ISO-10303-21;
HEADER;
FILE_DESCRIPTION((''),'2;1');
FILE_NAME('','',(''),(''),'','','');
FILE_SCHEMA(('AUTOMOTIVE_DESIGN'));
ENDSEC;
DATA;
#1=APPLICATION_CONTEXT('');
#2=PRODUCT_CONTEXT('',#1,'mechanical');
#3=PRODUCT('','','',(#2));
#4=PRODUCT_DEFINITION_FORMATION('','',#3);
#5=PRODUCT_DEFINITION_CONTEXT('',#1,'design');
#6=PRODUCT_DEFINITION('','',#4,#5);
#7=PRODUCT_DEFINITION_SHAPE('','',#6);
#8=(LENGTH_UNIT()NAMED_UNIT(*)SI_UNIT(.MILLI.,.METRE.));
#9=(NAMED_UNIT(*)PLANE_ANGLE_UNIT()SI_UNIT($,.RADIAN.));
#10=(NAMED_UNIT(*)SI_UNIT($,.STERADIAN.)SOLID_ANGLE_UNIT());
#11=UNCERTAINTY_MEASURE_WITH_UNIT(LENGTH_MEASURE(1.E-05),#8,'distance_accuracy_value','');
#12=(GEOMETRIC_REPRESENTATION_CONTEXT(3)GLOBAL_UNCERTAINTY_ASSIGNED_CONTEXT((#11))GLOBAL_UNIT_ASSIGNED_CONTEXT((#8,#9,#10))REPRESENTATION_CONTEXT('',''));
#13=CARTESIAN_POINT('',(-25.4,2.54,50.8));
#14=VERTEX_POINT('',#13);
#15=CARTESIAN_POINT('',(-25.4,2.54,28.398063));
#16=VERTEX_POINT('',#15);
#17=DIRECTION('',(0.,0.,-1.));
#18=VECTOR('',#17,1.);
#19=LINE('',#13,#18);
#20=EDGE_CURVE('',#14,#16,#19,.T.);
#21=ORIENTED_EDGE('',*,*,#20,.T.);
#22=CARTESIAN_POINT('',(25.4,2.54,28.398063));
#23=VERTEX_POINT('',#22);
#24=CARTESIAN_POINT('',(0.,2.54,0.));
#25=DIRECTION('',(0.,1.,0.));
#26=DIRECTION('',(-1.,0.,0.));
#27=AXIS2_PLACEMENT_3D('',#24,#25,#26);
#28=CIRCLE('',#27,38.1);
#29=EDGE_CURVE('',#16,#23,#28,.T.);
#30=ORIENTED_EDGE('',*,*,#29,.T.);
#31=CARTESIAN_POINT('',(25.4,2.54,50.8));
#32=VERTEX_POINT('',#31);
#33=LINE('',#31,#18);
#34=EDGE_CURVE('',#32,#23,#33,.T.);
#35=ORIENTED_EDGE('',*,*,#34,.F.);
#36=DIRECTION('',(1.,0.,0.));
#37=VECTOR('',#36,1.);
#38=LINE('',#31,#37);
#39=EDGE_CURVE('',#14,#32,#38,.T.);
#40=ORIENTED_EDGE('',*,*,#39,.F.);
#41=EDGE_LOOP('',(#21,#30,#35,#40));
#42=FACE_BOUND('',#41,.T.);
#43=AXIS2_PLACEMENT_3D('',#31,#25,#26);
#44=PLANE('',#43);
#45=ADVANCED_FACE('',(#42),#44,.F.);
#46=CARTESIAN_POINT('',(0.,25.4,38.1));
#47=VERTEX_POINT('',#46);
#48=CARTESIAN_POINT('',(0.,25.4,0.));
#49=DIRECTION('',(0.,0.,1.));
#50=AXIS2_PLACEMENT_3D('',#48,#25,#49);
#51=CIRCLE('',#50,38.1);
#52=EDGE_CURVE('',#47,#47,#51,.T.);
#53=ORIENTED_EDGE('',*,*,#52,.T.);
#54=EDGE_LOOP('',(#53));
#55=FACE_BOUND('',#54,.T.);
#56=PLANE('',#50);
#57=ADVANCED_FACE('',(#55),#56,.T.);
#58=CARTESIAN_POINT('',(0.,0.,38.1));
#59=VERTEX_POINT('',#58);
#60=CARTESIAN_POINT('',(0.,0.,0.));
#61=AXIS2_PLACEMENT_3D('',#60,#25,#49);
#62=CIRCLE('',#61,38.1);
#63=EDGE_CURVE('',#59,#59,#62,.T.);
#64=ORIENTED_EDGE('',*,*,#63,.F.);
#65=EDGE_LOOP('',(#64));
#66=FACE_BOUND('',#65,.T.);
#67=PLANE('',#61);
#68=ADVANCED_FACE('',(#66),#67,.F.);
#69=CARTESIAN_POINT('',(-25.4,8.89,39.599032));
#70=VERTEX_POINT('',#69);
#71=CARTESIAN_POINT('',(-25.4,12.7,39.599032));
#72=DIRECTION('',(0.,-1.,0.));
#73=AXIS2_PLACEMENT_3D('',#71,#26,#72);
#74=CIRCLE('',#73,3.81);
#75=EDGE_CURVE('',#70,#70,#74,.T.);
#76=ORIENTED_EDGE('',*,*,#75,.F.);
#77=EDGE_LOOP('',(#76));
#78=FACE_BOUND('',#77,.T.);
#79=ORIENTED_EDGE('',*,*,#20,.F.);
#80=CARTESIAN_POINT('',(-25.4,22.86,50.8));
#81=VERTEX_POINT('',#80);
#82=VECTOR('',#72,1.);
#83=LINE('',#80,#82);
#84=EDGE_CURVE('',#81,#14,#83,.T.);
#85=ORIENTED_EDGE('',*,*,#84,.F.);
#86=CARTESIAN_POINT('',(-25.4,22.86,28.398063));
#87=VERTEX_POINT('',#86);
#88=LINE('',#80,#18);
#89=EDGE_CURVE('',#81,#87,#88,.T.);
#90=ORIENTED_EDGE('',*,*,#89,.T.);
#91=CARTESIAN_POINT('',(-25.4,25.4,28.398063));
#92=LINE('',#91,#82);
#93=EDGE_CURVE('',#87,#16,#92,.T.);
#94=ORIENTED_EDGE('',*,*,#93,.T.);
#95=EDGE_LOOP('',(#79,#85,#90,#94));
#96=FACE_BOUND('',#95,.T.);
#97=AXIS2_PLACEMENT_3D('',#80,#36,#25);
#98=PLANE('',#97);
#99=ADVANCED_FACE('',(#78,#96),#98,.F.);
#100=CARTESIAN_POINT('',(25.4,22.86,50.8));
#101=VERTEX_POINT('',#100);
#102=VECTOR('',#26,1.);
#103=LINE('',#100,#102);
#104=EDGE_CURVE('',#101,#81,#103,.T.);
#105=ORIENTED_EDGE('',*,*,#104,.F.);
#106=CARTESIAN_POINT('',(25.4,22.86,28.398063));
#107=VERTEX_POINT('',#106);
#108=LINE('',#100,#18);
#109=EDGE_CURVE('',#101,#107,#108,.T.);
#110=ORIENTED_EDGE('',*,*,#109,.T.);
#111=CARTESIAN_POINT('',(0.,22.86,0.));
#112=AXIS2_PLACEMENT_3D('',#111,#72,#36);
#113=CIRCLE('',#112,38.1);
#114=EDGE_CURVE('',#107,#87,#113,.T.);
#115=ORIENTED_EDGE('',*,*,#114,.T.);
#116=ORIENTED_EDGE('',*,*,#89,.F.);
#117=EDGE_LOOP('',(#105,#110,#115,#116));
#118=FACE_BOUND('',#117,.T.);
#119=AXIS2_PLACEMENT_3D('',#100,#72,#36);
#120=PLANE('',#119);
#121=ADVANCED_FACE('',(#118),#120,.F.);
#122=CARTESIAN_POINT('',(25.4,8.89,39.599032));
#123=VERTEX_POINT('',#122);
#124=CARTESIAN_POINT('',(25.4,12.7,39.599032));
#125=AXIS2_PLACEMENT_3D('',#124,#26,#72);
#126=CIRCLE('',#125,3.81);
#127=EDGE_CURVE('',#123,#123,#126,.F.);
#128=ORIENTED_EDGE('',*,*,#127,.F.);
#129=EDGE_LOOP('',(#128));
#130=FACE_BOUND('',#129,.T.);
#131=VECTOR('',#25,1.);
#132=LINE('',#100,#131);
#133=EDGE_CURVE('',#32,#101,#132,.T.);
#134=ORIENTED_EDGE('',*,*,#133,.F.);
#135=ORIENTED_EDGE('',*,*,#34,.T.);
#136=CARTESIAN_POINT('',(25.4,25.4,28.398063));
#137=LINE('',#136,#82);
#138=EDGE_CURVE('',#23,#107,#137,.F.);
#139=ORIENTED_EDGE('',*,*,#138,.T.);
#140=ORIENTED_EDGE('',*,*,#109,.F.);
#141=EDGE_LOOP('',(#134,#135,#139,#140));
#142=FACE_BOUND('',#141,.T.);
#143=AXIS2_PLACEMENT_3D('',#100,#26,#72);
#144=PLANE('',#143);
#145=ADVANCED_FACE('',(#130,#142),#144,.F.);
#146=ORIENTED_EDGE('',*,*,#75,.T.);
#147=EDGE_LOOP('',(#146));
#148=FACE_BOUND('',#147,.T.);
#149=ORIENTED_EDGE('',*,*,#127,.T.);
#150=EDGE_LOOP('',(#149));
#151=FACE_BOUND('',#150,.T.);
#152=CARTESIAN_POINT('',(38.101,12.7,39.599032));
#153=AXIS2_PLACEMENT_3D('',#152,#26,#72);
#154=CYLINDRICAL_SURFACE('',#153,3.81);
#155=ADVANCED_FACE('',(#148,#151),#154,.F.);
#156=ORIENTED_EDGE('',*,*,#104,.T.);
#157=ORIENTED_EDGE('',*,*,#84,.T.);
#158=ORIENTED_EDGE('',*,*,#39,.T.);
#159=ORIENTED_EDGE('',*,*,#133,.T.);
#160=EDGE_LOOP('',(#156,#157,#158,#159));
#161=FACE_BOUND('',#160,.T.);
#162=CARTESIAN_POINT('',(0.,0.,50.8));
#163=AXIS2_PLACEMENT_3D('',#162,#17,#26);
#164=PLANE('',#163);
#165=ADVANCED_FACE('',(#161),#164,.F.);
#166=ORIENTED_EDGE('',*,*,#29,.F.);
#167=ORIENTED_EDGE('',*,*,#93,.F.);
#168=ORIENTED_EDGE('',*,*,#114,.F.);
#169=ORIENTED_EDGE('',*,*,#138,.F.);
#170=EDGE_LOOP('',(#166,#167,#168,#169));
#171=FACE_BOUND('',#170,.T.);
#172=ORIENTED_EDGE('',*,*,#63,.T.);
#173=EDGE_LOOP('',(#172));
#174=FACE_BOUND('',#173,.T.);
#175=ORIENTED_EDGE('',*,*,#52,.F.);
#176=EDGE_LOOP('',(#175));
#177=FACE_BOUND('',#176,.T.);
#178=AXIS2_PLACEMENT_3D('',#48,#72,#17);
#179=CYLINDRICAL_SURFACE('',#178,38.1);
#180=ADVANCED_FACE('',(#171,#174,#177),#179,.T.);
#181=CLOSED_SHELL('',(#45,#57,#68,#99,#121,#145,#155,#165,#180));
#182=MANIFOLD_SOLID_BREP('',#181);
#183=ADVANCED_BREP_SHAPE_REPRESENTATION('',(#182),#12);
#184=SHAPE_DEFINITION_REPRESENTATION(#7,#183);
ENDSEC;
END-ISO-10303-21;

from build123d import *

# Parameters (mm, degrees)
SKETCH1_R           = 38.1
BOSS_EXTRUDE1_DEPTH = 25.4
SKETCH2_W           = 50.8
SKETCH2_H           = 20.32
BOSS_EXTRUDE2_DEPTH = 50.8
CUT_EXTRUDE1_REACH  = 87.194
SKETCH3_R           = 3.81


with BuildPart() as part:
    # Sketch1 → Boss-Extrude1 (new body)
    with BuildSketch(Plane(origin=(0, 0, 0), x_dir=(1, 0, 0), z_dir=(0, 1, 0))):
        with Locations(Location((0, 0, 0), (0, 0, 270))):
            Circle(SKETCH1_R)
    extrude(amount=BOSS_EXTRUDE1_DEPTH)

    # Sketch2 → Boss-Extrude2 (add)
    with BuildSketch(Plane.XY):
        with Locations((0, 12.7)):
            Rectangle(SKETCH2_W, SKETCH2_H)
    extrude(amount=BOSS_EXTRUDE2_DEPTH)

    # Sketch3 → Cut-Extrude1 (cut, up to next)
    with BuildSketch(Plane.ZY.offset(25.4), mode=Mode.PRIVATE) as cut_extrude1_sk1:
        with Locations(Location((39.599031657, 12.7, 0), (0, 0, 270))):
            Circle(SKETCH3_R)
    cut_extrude1_tool1 = extrude(cut_extrude1_sk1.sketch, amount=-CUT_EXTRUDE1_REACH, mode=Mode.PRIVATE) & part.part
    add(cut_extrude1_tool1.solids().sort_by_distance((-25.4, 12.7, 39.599032))[0], mode=Mode.SUBTRACT)


solid = part.part
